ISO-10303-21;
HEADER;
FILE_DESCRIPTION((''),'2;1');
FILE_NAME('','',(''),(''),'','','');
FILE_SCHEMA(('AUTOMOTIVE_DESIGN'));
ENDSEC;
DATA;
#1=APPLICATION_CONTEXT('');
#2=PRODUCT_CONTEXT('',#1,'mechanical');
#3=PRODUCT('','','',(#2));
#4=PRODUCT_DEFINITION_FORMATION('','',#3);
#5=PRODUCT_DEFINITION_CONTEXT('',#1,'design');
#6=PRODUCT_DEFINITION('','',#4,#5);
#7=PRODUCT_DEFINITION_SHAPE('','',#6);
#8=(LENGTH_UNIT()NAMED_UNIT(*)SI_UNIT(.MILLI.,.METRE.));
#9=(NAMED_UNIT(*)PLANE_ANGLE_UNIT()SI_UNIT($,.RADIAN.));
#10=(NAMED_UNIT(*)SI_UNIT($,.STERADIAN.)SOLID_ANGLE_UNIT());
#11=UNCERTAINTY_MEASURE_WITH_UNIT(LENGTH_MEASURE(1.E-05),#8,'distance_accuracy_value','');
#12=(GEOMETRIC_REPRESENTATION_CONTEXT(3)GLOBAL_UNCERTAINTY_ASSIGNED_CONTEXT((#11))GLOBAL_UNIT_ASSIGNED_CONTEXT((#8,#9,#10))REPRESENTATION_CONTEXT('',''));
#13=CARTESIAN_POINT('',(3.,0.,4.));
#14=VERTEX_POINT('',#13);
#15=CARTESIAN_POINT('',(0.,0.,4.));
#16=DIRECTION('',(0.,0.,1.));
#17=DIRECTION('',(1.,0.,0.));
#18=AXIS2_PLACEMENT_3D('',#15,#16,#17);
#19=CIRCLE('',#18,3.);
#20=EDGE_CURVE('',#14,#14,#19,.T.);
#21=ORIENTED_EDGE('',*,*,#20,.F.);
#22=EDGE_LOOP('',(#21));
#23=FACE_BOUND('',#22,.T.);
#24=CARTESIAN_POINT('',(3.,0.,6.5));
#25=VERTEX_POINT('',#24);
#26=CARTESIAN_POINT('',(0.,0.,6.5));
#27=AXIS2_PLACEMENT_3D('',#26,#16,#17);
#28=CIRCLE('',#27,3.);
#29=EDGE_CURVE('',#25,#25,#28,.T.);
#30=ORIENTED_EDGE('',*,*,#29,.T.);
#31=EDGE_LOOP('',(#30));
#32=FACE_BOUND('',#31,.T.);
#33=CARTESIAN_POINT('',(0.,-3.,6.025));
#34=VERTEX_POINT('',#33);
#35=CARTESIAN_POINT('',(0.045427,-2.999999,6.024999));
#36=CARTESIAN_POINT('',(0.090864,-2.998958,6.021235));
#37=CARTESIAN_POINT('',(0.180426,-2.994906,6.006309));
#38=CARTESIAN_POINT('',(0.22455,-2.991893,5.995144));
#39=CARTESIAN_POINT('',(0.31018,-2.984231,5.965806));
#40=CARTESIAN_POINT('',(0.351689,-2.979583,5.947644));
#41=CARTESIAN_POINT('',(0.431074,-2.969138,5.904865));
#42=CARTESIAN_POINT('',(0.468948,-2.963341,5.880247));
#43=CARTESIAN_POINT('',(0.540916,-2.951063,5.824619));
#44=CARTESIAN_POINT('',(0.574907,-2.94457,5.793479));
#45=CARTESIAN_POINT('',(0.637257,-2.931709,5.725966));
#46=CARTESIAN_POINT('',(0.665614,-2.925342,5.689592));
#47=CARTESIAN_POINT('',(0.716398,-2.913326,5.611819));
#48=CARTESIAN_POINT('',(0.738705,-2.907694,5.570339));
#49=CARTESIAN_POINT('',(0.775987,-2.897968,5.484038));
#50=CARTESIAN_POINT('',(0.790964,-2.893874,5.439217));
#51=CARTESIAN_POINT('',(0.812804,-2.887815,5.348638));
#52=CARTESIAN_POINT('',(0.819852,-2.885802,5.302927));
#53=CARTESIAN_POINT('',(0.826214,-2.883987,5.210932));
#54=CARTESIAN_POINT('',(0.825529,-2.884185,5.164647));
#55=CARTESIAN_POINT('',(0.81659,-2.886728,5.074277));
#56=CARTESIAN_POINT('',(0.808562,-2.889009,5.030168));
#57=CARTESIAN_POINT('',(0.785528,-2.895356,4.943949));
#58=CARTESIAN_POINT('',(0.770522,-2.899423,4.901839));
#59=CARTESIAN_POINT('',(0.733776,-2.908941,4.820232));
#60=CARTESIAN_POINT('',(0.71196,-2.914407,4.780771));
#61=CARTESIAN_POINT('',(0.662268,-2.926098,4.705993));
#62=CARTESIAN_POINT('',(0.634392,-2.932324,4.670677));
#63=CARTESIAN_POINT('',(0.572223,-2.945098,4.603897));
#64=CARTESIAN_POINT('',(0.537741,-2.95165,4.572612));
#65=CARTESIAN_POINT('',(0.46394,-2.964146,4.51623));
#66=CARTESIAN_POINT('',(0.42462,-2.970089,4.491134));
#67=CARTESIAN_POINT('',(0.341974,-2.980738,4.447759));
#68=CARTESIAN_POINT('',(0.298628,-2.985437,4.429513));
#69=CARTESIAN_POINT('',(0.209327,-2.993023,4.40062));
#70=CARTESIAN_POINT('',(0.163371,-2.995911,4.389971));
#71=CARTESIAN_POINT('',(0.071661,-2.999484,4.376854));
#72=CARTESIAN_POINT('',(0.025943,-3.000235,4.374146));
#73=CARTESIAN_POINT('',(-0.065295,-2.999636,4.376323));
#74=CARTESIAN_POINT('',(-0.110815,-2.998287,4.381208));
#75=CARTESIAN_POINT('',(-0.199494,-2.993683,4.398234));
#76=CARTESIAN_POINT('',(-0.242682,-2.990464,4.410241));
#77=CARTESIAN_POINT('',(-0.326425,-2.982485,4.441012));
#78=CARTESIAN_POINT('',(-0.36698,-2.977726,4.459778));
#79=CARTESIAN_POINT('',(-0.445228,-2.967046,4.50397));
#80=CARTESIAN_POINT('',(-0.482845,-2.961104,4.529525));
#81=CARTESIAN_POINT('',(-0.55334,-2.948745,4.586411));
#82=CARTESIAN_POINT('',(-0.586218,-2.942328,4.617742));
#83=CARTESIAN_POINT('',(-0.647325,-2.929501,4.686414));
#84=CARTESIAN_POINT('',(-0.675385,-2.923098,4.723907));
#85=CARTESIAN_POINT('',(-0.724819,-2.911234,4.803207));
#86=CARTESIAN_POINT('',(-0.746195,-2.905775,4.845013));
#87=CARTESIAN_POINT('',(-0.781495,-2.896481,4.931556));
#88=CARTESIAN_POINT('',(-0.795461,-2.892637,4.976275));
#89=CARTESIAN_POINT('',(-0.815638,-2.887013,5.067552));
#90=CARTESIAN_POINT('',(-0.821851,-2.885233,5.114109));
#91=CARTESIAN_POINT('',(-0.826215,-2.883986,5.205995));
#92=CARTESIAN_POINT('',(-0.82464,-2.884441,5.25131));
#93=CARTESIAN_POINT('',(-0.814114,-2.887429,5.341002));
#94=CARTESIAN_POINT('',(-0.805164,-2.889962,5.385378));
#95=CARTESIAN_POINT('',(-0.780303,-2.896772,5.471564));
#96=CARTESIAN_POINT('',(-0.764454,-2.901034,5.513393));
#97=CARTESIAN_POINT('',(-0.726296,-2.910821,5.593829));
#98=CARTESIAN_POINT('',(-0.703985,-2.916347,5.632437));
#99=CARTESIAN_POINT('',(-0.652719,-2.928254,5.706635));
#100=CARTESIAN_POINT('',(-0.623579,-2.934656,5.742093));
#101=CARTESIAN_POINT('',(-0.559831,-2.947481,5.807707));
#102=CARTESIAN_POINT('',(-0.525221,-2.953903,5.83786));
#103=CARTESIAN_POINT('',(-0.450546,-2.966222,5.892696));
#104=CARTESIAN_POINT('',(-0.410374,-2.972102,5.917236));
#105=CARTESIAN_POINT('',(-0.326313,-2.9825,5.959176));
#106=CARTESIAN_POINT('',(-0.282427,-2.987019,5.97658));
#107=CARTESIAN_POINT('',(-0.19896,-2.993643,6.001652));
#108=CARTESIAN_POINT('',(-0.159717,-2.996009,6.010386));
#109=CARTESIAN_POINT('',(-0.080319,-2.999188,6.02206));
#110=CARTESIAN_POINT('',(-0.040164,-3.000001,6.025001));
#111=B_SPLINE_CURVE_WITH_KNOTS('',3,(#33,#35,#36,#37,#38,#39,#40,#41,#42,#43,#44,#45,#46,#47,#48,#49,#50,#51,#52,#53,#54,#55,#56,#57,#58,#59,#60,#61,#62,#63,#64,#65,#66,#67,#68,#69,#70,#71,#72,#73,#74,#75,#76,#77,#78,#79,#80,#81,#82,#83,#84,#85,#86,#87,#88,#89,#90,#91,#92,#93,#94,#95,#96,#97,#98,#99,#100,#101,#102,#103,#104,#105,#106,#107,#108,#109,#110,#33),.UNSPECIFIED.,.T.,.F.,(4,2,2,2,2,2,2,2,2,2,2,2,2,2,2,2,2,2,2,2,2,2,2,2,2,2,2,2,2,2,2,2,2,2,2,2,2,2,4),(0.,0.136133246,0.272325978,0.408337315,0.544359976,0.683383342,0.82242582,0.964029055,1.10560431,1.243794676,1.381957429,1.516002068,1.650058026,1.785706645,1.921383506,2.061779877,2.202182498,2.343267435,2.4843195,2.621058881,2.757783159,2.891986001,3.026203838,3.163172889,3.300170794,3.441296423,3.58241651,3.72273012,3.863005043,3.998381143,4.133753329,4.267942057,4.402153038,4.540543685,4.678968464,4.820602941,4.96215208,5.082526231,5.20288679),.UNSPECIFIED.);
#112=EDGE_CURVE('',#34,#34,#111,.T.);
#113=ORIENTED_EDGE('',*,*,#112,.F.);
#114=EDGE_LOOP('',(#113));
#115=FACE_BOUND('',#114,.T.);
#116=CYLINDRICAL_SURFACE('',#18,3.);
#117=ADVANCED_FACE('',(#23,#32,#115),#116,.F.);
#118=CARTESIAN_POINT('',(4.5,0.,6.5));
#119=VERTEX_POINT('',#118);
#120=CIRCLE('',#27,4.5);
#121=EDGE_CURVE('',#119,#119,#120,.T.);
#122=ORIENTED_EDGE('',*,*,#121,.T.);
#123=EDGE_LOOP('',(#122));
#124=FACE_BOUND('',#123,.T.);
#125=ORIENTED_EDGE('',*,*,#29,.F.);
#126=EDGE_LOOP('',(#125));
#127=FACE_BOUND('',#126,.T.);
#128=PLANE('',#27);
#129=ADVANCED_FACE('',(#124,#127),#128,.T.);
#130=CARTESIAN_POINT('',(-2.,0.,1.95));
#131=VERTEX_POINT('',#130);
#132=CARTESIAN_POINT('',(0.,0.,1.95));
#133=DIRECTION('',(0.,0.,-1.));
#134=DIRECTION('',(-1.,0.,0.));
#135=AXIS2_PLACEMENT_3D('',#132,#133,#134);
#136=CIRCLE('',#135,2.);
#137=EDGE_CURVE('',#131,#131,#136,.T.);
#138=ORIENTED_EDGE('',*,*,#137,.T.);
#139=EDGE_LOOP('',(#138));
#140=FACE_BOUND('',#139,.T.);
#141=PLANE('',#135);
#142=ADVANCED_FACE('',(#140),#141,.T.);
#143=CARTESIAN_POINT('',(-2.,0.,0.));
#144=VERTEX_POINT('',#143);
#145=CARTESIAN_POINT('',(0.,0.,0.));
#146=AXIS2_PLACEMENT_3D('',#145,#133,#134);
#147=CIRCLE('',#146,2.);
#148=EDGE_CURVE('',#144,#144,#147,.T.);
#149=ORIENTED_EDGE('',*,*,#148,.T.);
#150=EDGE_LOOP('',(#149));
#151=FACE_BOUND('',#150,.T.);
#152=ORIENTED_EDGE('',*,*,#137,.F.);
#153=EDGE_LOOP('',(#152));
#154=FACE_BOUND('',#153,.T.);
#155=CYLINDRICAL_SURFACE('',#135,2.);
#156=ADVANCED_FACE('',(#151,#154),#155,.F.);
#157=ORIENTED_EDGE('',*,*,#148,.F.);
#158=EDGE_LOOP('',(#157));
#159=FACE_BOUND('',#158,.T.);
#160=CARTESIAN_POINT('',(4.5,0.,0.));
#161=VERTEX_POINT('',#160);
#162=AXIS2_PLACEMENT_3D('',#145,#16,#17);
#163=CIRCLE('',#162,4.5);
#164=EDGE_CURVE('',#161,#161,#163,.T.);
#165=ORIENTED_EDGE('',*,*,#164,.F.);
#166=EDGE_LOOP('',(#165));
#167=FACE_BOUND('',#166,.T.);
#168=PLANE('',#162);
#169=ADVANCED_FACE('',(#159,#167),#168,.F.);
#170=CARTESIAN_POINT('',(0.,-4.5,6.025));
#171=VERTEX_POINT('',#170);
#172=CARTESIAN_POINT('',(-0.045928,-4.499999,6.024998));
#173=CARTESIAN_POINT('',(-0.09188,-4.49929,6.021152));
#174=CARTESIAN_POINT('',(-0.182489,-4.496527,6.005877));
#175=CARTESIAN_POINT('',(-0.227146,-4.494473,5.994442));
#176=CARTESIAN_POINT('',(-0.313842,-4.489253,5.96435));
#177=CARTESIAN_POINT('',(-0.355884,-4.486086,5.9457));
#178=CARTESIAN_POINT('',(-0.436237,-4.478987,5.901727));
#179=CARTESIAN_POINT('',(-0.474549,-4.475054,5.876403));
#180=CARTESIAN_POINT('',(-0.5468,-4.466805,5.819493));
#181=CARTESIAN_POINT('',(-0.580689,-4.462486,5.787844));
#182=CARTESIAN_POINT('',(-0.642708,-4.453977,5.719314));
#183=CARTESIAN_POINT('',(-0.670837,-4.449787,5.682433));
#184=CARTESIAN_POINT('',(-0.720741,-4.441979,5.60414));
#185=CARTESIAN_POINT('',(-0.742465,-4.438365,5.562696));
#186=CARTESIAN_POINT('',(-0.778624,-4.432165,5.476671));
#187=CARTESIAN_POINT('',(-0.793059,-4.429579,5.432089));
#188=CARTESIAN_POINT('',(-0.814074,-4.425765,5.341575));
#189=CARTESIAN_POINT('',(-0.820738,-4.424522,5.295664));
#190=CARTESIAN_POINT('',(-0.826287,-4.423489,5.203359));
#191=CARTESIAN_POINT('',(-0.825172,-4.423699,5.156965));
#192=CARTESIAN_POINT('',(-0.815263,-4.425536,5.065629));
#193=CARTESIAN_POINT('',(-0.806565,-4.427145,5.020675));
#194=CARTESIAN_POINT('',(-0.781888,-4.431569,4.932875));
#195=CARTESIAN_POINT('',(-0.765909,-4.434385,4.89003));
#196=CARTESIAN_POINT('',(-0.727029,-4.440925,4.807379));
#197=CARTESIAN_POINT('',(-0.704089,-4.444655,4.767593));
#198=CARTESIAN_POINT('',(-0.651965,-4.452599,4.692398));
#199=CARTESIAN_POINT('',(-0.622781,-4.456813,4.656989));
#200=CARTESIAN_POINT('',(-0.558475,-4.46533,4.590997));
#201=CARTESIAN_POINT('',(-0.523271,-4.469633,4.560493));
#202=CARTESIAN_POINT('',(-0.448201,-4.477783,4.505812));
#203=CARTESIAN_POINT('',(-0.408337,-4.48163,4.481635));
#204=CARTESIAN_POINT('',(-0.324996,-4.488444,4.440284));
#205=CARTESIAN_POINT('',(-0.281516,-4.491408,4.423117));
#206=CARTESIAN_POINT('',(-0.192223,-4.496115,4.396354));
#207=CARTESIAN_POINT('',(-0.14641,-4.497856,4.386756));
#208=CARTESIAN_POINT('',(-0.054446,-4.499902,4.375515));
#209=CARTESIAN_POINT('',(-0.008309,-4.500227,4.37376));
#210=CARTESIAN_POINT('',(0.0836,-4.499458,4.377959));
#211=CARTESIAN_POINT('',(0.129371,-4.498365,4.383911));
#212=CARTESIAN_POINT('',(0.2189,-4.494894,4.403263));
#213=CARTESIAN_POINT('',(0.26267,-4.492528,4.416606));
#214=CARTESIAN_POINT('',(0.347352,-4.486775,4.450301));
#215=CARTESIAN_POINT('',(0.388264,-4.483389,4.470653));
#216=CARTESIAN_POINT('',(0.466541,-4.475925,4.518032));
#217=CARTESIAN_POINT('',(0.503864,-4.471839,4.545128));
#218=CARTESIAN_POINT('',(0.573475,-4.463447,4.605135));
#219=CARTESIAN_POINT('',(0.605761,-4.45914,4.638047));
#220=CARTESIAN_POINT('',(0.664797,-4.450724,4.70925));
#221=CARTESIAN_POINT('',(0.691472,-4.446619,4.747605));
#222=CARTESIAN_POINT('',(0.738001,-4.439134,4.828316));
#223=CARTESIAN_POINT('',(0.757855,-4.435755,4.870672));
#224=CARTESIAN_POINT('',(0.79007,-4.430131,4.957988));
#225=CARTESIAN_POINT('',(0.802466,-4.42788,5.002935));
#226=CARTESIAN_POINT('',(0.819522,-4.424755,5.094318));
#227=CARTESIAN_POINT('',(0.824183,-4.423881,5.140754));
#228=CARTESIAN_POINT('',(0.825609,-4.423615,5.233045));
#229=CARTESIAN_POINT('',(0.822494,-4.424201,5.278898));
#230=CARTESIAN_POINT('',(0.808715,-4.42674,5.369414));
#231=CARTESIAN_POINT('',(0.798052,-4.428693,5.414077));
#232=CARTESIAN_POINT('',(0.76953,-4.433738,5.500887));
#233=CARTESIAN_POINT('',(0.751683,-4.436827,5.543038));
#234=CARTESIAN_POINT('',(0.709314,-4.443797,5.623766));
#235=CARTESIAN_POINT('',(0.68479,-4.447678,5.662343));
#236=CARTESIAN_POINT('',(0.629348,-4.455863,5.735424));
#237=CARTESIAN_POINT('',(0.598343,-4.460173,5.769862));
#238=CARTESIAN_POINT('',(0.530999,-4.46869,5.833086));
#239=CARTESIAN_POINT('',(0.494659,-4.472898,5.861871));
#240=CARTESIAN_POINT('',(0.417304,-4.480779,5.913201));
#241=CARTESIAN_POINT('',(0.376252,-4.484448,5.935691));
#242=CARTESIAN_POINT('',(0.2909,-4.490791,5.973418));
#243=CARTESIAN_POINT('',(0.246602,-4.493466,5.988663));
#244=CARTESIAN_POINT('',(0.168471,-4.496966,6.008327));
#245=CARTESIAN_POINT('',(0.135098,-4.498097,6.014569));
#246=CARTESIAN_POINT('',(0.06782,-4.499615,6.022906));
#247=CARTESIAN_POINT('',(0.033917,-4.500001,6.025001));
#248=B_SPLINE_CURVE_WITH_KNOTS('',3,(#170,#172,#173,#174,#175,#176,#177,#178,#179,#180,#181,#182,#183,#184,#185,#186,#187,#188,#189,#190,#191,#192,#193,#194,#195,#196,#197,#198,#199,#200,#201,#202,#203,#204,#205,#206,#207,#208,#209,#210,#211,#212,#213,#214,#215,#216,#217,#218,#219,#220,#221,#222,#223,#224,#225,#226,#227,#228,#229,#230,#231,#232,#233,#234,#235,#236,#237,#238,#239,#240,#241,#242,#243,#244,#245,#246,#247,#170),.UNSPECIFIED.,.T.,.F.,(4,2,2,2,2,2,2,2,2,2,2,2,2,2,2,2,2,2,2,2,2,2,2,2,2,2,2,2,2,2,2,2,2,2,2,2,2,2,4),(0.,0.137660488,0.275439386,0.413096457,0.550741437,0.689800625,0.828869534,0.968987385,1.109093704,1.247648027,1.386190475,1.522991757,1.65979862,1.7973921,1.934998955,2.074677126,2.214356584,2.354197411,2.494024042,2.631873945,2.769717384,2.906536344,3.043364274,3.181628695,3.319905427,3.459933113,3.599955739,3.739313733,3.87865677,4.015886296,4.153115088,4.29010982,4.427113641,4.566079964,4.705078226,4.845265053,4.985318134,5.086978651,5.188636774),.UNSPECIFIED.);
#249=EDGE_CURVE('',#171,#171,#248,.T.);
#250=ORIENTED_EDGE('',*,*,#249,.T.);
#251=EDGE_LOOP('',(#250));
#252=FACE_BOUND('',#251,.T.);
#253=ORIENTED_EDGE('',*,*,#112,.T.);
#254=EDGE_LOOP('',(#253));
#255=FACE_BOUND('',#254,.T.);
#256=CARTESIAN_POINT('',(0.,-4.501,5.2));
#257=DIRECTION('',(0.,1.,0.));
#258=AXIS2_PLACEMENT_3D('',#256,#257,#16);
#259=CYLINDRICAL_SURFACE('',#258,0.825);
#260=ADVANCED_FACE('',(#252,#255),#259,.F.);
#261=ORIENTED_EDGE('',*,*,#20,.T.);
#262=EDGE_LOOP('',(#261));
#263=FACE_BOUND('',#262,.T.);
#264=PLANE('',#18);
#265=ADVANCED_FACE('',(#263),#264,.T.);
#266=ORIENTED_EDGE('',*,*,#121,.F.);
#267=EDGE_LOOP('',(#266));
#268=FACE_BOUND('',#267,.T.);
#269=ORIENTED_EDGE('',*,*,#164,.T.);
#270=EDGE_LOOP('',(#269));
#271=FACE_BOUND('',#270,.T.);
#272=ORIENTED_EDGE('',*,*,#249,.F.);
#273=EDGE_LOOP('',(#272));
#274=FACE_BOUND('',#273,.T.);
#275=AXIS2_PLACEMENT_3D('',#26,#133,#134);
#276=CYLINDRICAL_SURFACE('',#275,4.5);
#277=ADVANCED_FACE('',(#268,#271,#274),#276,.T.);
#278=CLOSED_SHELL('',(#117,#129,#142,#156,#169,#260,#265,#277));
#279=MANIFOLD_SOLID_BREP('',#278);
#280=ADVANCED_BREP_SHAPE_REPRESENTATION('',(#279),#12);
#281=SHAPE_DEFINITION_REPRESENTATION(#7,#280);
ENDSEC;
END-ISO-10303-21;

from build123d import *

# Parameters (mm, degrees)
SKETCH3_R               = 4.5
BOSS_EXTRUDE3_DEPTH     = 6.5
SKETCH4_R               = 3
CUT_EXTRUDE1_DEPTH      = 2.5
SKETCH5_R               = 2
CUT_EXTRUDE2_DEPTH      = 1.95
CUT_EXTRUDE3_REACH      = 11.097
CUT_EXTRUDE3_END_RADIUS = 4.5
SKETCH7_R               = 0.825


with BuildPart() as part:
    # Sketch3 → Boss-Extrude3 (new body)
    with BuildSketch(Plane.XY):
        with Locations(Location((0, 0, 0), (0, 0, 180))):
            Circle(SKETCH3_R)
    extrude(amount=BOSS_EXTRUDE3_DEPTH)

    # Sketch4 → Cut-Extrude1 (cut)
    with BuildSketch(Plane.XY.offset(6.5)):
        Circle(SKETCH4_R)
    extrude(amount=-CUT_EXTRUDE1_DEPTH, mode=Mode.SUBTRACT)

    # Sketch5 → Cut-Extrude2 (cut)
    with BuildSketch(Plane(origin=(0, 0, 0), x_dir=(-1, 0, 0), z_dir=(0, 0, -1))):
        Circle(SKETCH5_R)
    extrude(amount=-CUT_EXTRUDE2_DEPTH, mode=Mode.SUBTRACT)

    # Cut-Extrude3: up to this cylinder (the profile starts inside it)
    cut_extrude3_end = Plane(origin=(0, 0, 5.2), z_dir=(0, 0, -1)) * Cylinder(CUT_EXTRUDE3_END_RADIUS, 32.194, mode=Mode.PRIVATE)
    # Sketch7 → Cut-Extrude3 (cut, up to the surface)
    with BuildSketch(Plane(origin=(0, 0, 0), x_dir=(1, 0, 0), z_dir=(0, 1, 0)), mode=Mode.PRIVATE) as cut_extrude3_sk1:
        with Locations(Location((0, -5.2, 0), (0, 0, 270))):
            Circle(SKETCH7_R)
    cut_extrude3_tool1 = extrude(cut_extrude3_sk1.sketch, amount=-CUT_EXTRUDE3_REACH, mode=Mode.PRIVATE) & cut_extrude3_end
    add(cut_extrude3_tool1.solids().sort_by_distance((0, 0, 5.2))[0], mode=Mode.SUBTRACT)


solid = part.part
